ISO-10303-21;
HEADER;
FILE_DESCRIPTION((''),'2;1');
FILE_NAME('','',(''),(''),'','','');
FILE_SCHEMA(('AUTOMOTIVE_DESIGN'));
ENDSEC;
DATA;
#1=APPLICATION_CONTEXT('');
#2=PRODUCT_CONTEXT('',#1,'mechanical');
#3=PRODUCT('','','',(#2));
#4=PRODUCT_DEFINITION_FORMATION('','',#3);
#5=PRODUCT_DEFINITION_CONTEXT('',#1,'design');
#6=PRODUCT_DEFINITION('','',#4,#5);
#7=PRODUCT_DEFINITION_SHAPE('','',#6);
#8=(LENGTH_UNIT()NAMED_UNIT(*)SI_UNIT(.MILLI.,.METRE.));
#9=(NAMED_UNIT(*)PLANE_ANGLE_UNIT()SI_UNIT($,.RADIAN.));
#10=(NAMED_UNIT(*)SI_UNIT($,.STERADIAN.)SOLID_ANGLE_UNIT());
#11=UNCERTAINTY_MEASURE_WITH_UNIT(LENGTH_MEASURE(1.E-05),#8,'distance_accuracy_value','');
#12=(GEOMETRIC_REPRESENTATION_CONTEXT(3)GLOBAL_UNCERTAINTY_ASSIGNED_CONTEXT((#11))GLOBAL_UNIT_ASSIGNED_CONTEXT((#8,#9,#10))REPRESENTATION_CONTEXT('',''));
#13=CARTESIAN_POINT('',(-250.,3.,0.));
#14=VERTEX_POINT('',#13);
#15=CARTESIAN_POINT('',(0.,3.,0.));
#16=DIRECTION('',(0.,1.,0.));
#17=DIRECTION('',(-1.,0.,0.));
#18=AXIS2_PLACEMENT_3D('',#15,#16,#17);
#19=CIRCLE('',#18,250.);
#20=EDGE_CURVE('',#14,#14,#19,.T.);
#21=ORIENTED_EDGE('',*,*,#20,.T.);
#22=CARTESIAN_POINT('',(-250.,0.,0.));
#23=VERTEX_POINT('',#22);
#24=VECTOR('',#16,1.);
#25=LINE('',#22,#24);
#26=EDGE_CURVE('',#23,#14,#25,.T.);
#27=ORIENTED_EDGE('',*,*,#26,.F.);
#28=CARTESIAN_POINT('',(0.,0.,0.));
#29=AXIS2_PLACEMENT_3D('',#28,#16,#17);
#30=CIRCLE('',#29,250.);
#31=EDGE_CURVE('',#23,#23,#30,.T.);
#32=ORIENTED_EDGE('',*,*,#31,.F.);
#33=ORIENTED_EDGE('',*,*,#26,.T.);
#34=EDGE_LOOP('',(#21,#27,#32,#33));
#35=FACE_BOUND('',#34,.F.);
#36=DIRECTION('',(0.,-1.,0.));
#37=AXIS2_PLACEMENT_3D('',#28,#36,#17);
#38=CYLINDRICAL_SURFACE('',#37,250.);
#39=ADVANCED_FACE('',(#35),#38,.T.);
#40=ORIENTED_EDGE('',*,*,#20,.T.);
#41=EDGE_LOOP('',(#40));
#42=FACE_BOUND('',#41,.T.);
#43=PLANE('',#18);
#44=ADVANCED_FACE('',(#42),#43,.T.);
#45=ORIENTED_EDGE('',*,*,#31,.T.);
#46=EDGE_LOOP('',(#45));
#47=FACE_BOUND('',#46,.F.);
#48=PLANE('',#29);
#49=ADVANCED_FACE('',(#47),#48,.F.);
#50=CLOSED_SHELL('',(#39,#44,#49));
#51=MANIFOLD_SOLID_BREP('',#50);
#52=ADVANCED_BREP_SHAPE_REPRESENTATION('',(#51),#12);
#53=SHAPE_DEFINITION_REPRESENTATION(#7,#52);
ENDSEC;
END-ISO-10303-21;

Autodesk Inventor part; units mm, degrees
ref_plane "YZ Plane" through (0, 0, 0) normal (1, 0, 0) x (0, 1, 0)
ref_plane "XZ Plane" through (0, 0, 0) normal (0, 1, 0) x (-1, 0, 0)
ref_plane "XY Plane" through (0, 0, 0) normal (0, 0, 1) x (1, 0, 0)
sketch "Sketch1" plane through (0, 0, 0) normal (0, 1, 0) x (-1, 0, 0)
  circle A0 centre (0, 0) radius 250
  dimension "d0" = 500
extrude "Extrusion1" add sketch "Sketch1" along normal blind 3
properties part number "RingBlack"
